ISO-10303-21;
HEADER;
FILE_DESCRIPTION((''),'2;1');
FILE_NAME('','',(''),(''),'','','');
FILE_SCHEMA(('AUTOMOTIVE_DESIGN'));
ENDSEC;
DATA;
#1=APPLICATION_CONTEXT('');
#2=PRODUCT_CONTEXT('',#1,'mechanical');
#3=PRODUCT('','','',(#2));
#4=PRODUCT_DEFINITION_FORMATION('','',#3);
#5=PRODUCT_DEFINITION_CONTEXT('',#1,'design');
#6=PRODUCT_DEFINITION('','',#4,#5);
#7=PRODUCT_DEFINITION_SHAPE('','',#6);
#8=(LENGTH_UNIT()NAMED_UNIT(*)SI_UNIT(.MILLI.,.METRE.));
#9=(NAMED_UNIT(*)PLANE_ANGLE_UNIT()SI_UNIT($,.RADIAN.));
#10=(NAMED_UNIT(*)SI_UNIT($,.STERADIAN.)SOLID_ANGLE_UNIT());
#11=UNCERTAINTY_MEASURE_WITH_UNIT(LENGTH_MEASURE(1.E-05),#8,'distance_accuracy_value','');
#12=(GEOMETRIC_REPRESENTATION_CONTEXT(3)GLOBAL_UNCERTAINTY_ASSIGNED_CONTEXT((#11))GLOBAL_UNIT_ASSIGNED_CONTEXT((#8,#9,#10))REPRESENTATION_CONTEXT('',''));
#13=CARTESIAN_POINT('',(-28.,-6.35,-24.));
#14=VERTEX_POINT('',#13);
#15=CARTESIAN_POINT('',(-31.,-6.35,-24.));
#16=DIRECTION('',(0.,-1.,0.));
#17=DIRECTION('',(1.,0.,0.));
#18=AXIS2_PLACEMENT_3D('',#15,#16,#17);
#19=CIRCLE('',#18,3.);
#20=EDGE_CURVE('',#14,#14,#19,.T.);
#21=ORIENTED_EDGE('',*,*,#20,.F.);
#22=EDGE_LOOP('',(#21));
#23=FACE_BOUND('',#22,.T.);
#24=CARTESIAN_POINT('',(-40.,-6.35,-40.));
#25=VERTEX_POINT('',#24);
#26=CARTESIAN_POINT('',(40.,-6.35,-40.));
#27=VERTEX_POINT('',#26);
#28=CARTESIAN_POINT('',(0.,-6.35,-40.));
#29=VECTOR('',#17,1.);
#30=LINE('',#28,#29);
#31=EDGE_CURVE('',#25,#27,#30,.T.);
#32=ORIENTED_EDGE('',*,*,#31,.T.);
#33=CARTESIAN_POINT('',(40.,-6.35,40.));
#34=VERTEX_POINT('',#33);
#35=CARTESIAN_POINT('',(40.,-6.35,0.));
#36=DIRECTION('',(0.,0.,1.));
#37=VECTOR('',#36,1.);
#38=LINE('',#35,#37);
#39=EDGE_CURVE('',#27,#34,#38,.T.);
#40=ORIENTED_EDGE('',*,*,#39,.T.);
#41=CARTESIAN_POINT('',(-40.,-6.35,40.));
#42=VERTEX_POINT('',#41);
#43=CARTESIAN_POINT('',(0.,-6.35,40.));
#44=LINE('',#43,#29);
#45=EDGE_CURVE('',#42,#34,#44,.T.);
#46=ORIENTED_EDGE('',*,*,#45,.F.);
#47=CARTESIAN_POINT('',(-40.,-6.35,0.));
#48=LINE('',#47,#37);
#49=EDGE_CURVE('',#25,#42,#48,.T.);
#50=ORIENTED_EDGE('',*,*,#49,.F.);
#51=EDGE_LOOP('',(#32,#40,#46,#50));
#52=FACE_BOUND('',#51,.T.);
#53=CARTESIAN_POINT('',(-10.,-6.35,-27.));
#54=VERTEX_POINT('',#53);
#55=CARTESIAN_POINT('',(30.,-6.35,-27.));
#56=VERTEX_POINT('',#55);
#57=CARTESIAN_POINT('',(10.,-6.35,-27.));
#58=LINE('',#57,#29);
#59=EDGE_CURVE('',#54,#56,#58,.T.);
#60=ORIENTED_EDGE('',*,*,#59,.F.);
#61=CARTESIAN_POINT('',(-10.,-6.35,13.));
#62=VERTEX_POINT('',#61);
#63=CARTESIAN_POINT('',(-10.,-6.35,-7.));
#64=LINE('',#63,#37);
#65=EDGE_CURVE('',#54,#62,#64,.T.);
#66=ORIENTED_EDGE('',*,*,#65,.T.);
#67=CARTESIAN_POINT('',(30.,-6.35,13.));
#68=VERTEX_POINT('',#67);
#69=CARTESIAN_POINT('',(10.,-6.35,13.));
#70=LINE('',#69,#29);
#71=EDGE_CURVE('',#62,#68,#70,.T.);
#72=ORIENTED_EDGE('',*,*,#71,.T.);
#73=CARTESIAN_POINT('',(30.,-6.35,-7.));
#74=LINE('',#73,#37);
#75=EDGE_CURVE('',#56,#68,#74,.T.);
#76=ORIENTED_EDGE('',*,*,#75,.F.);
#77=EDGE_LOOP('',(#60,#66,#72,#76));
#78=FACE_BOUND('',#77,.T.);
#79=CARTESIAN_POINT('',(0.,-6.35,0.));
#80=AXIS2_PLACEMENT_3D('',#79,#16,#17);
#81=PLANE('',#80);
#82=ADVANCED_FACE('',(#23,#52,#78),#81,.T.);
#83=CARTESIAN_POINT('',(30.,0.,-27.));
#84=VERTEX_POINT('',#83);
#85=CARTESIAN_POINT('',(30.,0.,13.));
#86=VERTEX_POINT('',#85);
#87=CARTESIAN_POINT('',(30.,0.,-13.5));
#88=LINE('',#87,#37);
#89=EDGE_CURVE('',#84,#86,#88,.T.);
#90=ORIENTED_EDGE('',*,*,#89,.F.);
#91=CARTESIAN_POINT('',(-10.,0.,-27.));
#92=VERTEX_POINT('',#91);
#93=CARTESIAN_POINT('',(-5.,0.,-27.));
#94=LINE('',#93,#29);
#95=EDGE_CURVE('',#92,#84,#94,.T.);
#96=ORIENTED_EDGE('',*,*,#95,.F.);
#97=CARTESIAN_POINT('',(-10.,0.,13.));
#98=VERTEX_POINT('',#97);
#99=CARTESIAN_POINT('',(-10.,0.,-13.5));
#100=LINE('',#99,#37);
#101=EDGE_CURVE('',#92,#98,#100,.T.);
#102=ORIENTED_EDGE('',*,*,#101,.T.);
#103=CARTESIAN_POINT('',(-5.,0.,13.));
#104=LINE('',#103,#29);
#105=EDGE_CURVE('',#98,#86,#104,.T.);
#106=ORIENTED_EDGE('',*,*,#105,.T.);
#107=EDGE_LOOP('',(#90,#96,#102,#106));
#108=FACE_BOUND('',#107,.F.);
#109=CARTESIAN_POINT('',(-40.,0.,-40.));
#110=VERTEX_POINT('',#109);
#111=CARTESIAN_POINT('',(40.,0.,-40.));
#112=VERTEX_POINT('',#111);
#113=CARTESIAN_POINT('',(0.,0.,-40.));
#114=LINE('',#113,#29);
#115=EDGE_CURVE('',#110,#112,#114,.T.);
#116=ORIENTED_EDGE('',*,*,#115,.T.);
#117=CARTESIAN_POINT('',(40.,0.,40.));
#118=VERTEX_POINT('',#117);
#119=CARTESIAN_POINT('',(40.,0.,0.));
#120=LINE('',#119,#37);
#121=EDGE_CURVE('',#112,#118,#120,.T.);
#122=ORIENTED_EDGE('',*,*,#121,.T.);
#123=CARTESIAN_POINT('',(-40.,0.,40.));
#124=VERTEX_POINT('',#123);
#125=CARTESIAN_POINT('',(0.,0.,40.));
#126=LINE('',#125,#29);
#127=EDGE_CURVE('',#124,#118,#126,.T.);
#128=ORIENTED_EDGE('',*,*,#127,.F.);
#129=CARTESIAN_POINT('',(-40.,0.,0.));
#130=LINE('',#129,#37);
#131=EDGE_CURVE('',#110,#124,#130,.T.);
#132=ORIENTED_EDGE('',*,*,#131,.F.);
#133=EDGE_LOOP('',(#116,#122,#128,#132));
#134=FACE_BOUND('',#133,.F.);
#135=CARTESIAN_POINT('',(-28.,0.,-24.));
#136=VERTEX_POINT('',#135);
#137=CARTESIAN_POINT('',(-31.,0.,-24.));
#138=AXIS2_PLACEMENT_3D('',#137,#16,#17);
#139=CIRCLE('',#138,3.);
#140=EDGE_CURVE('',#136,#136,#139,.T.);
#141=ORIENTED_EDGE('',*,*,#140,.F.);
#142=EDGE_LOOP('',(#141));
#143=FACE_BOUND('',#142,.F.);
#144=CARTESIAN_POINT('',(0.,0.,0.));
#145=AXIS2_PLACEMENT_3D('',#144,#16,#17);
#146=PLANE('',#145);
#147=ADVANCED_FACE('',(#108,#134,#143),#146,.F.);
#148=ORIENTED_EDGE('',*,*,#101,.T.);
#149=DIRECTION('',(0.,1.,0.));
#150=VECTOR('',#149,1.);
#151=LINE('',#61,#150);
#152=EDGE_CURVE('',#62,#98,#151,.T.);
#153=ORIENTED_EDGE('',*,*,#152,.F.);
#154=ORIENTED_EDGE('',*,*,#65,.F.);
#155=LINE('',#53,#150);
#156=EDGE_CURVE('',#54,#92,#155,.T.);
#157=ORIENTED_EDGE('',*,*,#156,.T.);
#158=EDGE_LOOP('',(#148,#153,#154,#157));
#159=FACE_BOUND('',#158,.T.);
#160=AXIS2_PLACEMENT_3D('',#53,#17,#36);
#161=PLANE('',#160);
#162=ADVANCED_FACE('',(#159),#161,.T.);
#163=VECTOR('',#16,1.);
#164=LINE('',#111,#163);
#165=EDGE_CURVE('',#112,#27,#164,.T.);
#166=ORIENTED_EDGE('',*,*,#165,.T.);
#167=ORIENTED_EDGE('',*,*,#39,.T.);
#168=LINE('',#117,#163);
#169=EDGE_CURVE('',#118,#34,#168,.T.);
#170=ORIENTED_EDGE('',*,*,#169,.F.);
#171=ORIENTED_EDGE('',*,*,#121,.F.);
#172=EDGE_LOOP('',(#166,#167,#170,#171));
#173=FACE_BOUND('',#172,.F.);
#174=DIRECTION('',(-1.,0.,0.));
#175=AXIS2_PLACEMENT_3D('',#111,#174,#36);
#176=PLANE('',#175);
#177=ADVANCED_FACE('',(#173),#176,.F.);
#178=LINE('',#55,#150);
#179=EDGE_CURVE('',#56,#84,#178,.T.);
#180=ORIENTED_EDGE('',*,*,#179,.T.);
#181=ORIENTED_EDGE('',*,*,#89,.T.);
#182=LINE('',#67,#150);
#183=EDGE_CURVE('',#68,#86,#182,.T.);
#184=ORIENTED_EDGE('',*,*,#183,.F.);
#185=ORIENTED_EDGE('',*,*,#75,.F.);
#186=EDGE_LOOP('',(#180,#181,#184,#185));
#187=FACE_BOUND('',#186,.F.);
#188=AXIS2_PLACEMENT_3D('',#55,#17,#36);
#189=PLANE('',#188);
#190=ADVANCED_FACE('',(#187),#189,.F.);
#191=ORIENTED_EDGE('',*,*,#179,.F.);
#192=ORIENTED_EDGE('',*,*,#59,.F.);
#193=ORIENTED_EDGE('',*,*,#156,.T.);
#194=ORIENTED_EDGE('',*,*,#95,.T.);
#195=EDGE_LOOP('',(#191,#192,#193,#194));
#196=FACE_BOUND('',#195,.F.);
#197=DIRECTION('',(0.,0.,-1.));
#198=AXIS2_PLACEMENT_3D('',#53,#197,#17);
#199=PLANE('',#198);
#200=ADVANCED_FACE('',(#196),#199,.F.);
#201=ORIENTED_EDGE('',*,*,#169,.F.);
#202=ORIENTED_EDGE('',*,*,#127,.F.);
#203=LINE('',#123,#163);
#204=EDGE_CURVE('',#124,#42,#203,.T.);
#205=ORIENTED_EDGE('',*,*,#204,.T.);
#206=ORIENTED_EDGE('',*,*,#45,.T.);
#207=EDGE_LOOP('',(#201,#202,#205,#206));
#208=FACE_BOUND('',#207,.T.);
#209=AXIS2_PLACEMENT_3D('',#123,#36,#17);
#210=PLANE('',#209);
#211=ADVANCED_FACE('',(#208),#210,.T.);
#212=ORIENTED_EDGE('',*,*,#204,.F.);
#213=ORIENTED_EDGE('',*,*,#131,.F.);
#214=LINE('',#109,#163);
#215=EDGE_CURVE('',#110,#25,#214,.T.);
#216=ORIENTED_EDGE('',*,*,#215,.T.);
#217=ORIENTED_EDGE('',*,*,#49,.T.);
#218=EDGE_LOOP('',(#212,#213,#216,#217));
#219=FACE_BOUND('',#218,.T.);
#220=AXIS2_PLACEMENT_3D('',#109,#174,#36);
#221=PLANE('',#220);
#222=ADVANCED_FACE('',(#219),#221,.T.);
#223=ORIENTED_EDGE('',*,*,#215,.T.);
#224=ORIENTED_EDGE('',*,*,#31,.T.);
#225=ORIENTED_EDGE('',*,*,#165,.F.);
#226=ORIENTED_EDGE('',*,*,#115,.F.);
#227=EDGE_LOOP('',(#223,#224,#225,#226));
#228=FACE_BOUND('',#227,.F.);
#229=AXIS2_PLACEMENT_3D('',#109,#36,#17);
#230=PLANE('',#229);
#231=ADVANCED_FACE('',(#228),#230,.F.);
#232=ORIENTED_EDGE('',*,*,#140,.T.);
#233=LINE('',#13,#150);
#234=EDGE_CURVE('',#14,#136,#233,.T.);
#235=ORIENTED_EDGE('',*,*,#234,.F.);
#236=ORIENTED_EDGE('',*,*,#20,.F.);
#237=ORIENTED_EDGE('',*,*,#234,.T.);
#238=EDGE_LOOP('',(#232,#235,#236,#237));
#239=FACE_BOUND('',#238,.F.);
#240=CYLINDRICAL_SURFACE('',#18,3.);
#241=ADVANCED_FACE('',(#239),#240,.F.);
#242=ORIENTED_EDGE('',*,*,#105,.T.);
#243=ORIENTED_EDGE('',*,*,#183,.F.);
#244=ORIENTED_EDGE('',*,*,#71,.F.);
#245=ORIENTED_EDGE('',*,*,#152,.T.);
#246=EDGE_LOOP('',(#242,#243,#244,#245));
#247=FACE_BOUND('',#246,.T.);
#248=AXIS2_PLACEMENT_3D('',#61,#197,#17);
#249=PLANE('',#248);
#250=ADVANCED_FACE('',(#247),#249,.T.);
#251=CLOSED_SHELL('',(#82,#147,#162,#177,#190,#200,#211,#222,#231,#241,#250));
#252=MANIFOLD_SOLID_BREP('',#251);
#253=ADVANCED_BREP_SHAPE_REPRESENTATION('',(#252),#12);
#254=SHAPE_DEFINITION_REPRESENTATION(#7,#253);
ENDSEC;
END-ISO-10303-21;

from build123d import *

# Parameters (mm, degrees)
F0_W     = 80
F0_H     = 80
F1_DEPTH = 6.35
F2_W     = 40
F2_H     = 40
F2_R     = 3
F3_DEPTH = 6.351


with BuildPart() as f1:
    # F0 (on Front) → F1 (new body)
    with BuildSketch(Plane.XZ):
        Rectangle(F0_W, F0_H)
    extrude(amount=F1_DEPTH)

    # F2 (on face) → F3 (cut, through all)
    with BuildSketch(Plane.XZ.offset(6.35)):
        with Locations((10, -7)):
            Rectangle(F2_W, F2_H)
        with Locations((-31, -24)):
            Circle(F2_R)
    extrude(amount=-F3_DEPTH, mode=Mode.SUBTRACT)


solid = f1.part
